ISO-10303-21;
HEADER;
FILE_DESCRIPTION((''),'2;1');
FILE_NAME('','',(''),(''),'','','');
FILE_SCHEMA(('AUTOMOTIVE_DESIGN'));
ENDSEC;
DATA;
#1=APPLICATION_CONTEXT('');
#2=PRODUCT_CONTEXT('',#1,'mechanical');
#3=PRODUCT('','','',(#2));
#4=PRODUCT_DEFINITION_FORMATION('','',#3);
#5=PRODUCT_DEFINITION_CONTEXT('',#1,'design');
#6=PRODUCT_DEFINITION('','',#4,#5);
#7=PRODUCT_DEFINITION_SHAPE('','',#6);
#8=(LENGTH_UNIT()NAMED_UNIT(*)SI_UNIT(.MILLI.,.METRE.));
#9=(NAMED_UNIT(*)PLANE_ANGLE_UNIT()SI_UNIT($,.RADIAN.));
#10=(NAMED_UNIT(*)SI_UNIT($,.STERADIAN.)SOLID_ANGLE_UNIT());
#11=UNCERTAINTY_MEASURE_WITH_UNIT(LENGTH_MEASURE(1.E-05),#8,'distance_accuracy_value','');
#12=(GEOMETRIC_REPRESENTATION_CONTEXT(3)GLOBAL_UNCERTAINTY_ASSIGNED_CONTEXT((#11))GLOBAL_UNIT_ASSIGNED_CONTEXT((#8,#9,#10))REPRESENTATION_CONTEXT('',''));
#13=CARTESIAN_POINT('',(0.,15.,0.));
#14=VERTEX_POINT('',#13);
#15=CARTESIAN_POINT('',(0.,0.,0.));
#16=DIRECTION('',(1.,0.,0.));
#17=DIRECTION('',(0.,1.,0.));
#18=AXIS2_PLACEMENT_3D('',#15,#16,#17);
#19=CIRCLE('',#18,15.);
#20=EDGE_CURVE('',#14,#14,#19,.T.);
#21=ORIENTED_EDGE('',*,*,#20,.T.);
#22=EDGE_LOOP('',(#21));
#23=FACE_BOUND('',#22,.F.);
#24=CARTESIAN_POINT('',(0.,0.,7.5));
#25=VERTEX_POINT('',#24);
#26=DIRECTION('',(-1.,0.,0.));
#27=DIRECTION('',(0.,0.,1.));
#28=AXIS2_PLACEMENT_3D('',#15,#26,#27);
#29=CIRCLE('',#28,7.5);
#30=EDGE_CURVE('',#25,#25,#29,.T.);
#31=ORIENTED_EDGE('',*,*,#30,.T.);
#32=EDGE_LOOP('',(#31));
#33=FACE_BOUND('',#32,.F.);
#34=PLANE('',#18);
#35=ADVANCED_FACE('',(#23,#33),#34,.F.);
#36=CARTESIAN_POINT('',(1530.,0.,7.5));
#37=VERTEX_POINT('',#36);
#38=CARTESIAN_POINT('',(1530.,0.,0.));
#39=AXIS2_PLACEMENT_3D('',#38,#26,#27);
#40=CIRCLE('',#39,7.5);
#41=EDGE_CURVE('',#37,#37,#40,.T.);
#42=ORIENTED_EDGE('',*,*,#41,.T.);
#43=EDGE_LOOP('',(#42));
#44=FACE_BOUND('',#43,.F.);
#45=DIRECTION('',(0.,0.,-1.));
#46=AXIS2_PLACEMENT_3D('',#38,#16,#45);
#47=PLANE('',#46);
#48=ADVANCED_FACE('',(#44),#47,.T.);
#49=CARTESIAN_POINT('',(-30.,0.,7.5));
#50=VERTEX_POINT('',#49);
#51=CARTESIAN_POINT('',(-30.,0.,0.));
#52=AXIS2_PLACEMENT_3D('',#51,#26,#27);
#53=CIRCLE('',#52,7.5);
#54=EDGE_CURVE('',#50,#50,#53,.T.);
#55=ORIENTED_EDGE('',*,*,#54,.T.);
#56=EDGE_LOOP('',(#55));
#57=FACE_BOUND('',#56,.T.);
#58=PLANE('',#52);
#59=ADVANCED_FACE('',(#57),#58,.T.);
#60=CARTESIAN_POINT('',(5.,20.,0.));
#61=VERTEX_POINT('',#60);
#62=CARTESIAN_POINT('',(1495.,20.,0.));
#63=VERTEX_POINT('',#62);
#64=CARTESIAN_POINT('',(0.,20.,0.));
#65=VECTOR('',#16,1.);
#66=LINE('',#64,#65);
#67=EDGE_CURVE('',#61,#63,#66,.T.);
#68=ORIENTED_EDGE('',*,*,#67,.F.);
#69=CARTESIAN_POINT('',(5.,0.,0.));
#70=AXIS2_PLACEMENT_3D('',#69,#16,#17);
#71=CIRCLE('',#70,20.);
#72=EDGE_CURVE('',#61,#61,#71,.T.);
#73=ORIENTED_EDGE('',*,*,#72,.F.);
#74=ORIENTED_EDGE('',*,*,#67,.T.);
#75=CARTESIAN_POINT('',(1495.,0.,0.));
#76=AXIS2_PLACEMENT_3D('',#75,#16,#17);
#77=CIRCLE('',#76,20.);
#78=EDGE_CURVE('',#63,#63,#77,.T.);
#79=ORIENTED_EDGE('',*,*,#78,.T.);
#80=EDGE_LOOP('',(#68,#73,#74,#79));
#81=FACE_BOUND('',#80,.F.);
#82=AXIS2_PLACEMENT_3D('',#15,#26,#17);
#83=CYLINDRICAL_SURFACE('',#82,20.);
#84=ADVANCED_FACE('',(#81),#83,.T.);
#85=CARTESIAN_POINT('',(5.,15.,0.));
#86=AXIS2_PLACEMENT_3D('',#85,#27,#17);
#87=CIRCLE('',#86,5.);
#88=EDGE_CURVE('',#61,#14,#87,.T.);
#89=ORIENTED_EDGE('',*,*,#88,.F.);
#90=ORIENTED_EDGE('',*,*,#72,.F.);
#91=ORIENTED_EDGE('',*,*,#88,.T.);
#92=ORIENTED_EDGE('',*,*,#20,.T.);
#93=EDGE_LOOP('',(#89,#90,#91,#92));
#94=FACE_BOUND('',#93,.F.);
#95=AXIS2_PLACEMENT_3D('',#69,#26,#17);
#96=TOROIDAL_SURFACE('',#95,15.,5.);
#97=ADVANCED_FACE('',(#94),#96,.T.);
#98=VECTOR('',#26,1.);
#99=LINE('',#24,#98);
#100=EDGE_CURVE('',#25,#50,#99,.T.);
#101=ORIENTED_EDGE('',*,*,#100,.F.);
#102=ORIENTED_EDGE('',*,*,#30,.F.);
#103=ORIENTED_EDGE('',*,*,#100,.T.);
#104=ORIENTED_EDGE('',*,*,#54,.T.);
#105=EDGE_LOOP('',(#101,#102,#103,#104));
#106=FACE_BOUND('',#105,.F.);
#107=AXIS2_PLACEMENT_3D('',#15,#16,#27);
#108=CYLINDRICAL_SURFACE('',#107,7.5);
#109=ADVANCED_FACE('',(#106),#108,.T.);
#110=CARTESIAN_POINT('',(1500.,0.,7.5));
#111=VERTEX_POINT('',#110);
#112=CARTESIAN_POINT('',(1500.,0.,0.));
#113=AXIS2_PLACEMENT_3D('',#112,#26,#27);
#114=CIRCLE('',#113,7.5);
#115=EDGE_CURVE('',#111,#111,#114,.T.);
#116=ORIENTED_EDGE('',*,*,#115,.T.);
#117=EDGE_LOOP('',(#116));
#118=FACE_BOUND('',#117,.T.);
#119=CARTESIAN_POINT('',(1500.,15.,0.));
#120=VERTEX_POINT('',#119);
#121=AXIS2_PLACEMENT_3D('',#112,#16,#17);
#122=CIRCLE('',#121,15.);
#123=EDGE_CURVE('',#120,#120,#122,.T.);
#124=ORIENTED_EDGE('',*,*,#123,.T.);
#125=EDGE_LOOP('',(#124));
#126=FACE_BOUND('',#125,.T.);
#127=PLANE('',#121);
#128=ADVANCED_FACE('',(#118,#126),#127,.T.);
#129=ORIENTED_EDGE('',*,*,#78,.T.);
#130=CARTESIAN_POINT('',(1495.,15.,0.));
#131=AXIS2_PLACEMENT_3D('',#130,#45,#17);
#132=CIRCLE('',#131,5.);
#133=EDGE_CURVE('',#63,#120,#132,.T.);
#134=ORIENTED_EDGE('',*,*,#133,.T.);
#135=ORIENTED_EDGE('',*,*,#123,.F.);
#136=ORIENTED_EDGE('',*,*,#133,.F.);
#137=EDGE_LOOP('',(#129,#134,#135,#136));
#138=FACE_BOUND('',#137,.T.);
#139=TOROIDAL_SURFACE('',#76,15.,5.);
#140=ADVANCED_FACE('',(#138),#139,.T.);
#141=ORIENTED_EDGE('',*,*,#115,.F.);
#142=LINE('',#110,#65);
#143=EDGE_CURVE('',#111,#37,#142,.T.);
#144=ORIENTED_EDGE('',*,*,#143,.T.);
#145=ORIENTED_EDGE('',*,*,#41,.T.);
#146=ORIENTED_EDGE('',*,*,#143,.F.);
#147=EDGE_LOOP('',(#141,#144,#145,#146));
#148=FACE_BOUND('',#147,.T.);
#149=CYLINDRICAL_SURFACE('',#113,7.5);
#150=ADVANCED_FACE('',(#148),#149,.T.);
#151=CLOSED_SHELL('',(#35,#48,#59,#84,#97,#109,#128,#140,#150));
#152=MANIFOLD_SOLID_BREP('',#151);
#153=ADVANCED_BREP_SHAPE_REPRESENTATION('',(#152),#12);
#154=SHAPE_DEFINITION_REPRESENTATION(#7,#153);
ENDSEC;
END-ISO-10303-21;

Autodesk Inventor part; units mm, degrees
ref_plane "YZ Plane" through (0, 0, 0) normal (1, 0, 0) x (0, 1, 0)
ref_plane "XZ Plane" through (0, 0, 0) normal (0, 1, 0) x (-1, 0, 0)
sketch "Sketch1" plane through (0, 0, 0) normal (1, 0, 0) x (0, 1, 0)
  circle A0 centre (0, 0) radius 20
  dimension "d0" = 40
extrude "Extrusion1" add sketch "Sketch1" along normal blind 1500
fillet "Fillet1" radius 5 1 edges at (0, -20, 0)
sketch "Sketch2" plane through (0, 0, 0) normal (-1, 0, 0) x (0, 0, 1)
  circle A0 centre (0, 0) radius 7.5
  dimension "d4" = 15
extrude "Extrusion2" add sketch "Sketch2" along normal blind 30
ref_plane "Work Plane1" through (750, 0, 0) normal (1, 0, 0) x (0, 0, -1)
mirror "Mirror1" about plane through (750, 0, 0) normal (1, 0, 0) of "Fillet1", "Extrusion2"
properties part number "CR-1500"
